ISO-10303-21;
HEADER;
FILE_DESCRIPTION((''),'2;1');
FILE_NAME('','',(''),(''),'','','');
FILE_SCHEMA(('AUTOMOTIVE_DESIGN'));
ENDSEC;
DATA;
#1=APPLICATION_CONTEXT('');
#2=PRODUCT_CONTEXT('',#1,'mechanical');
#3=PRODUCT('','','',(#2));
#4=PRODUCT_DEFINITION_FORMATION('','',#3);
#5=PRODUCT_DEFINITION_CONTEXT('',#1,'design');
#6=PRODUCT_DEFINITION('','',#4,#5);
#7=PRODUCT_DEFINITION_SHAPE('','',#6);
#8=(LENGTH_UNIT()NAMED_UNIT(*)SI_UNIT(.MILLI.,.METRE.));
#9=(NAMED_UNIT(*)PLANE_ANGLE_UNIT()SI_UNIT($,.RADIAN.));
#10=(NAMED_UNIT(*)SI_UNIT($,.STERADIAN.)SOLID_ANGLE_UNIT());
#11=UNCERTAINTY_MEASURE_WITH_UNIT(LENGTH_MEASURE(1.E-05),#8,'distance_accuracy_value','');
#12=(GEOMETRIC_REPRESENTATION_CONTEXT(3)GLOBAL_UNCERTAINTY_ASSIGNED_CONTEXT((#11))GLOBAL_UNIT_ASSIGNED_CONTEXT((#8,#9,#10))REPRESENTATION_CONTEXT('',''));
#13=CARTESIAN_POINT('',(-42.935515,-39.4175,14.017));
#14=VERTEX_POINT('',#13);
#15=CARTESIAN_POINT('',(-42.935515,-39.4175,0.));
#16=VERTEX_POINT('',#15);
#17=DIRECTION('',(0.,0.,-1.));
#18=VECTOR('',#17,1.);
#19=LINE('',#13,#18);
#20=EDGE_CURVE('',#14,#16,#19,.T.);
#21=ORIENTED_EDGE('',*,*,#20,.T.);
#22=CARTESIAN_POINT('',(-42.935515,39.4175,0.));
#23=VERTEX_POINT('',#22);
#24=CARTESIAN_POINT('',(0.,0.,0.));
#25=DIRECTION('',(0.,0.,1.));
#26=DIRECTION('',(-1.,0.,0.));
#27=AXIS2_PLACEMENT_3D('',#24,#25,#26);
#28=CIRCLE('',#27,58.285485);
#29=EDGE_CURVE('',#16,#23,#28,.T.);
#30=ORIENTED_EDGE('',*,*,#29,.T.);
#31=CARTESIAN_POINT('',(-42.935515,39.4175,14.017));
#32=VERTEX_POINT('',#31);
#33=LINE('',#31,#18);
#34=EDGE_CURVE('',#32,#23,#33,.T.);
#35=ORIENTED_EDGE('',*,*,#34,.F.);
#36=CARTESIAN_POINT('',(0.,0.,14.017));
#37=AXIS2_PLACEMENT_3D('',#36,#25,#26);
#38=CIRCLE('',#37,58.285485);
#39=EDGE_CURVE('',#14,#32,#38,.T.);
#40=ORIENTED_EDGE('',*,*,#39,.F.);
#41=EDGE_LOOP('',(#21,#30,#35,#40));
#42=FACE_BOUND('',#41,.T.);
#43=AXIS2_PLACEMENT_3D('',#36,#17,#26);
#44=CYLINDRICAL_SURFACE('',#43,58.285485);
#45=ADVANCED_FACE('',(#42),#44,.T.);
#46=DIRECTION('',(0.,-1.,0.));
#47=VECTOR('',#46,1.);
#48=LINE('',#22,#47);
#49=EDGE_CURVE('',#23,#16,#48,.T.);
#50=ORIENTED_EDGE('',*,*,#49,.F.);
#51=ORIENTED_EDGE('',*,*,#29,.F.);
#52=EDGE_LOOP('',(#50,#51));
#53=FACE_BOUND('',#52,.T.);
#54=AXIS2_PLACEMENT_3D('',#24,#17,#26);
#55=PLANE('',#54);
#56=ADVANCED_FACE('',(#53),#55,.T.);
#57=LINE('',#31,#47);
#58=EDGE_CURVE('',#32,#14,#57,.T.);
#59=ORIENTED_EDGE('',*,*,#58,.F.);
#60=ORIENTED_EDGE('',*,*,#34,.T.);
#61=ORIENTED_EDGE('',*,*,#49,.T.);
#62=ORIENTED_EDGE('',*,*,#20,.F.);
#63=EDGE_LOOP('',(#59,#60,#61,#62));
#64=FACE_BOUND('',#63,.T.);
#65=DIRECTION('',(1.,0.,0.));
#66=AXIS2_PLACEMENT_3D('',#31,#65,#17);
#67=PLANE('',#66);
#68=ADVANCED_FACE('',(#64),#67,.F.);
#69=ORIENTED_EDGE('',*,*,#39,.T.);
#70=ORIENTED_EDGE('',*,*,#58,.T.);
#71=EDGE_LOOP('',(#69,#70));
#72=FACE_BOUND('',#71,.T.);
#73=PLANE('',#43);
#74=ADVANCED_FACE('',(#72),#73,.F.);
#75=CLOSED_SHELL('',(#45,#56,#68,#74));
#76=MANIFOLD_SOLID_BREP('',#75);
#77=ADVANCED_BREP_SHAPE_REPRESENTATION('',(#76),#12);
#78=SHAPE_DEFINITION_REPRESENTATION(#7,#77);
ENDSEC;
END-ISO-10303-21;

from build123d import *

# Parameters (mm, degrees)
BOSS_EXTRUDE1_DEPTH = 14.017


with BuildPart() as part:
    # Sketch1 → Boss-Extrude1 (new body)
    with BuildSketch(Plane.XY):
        with BuildLine():
            Line((-42.935515035, 39.4175), (-42.935515035, -39.4175))
            ThreePointArc((-42.935515035, -39.4175), (58.285484965, 0), (-42.935515035, 39.4175))
        make_face()
    extrude(amount=BOSS_EXTRUDE1_DEPTH)


solid = part.part
